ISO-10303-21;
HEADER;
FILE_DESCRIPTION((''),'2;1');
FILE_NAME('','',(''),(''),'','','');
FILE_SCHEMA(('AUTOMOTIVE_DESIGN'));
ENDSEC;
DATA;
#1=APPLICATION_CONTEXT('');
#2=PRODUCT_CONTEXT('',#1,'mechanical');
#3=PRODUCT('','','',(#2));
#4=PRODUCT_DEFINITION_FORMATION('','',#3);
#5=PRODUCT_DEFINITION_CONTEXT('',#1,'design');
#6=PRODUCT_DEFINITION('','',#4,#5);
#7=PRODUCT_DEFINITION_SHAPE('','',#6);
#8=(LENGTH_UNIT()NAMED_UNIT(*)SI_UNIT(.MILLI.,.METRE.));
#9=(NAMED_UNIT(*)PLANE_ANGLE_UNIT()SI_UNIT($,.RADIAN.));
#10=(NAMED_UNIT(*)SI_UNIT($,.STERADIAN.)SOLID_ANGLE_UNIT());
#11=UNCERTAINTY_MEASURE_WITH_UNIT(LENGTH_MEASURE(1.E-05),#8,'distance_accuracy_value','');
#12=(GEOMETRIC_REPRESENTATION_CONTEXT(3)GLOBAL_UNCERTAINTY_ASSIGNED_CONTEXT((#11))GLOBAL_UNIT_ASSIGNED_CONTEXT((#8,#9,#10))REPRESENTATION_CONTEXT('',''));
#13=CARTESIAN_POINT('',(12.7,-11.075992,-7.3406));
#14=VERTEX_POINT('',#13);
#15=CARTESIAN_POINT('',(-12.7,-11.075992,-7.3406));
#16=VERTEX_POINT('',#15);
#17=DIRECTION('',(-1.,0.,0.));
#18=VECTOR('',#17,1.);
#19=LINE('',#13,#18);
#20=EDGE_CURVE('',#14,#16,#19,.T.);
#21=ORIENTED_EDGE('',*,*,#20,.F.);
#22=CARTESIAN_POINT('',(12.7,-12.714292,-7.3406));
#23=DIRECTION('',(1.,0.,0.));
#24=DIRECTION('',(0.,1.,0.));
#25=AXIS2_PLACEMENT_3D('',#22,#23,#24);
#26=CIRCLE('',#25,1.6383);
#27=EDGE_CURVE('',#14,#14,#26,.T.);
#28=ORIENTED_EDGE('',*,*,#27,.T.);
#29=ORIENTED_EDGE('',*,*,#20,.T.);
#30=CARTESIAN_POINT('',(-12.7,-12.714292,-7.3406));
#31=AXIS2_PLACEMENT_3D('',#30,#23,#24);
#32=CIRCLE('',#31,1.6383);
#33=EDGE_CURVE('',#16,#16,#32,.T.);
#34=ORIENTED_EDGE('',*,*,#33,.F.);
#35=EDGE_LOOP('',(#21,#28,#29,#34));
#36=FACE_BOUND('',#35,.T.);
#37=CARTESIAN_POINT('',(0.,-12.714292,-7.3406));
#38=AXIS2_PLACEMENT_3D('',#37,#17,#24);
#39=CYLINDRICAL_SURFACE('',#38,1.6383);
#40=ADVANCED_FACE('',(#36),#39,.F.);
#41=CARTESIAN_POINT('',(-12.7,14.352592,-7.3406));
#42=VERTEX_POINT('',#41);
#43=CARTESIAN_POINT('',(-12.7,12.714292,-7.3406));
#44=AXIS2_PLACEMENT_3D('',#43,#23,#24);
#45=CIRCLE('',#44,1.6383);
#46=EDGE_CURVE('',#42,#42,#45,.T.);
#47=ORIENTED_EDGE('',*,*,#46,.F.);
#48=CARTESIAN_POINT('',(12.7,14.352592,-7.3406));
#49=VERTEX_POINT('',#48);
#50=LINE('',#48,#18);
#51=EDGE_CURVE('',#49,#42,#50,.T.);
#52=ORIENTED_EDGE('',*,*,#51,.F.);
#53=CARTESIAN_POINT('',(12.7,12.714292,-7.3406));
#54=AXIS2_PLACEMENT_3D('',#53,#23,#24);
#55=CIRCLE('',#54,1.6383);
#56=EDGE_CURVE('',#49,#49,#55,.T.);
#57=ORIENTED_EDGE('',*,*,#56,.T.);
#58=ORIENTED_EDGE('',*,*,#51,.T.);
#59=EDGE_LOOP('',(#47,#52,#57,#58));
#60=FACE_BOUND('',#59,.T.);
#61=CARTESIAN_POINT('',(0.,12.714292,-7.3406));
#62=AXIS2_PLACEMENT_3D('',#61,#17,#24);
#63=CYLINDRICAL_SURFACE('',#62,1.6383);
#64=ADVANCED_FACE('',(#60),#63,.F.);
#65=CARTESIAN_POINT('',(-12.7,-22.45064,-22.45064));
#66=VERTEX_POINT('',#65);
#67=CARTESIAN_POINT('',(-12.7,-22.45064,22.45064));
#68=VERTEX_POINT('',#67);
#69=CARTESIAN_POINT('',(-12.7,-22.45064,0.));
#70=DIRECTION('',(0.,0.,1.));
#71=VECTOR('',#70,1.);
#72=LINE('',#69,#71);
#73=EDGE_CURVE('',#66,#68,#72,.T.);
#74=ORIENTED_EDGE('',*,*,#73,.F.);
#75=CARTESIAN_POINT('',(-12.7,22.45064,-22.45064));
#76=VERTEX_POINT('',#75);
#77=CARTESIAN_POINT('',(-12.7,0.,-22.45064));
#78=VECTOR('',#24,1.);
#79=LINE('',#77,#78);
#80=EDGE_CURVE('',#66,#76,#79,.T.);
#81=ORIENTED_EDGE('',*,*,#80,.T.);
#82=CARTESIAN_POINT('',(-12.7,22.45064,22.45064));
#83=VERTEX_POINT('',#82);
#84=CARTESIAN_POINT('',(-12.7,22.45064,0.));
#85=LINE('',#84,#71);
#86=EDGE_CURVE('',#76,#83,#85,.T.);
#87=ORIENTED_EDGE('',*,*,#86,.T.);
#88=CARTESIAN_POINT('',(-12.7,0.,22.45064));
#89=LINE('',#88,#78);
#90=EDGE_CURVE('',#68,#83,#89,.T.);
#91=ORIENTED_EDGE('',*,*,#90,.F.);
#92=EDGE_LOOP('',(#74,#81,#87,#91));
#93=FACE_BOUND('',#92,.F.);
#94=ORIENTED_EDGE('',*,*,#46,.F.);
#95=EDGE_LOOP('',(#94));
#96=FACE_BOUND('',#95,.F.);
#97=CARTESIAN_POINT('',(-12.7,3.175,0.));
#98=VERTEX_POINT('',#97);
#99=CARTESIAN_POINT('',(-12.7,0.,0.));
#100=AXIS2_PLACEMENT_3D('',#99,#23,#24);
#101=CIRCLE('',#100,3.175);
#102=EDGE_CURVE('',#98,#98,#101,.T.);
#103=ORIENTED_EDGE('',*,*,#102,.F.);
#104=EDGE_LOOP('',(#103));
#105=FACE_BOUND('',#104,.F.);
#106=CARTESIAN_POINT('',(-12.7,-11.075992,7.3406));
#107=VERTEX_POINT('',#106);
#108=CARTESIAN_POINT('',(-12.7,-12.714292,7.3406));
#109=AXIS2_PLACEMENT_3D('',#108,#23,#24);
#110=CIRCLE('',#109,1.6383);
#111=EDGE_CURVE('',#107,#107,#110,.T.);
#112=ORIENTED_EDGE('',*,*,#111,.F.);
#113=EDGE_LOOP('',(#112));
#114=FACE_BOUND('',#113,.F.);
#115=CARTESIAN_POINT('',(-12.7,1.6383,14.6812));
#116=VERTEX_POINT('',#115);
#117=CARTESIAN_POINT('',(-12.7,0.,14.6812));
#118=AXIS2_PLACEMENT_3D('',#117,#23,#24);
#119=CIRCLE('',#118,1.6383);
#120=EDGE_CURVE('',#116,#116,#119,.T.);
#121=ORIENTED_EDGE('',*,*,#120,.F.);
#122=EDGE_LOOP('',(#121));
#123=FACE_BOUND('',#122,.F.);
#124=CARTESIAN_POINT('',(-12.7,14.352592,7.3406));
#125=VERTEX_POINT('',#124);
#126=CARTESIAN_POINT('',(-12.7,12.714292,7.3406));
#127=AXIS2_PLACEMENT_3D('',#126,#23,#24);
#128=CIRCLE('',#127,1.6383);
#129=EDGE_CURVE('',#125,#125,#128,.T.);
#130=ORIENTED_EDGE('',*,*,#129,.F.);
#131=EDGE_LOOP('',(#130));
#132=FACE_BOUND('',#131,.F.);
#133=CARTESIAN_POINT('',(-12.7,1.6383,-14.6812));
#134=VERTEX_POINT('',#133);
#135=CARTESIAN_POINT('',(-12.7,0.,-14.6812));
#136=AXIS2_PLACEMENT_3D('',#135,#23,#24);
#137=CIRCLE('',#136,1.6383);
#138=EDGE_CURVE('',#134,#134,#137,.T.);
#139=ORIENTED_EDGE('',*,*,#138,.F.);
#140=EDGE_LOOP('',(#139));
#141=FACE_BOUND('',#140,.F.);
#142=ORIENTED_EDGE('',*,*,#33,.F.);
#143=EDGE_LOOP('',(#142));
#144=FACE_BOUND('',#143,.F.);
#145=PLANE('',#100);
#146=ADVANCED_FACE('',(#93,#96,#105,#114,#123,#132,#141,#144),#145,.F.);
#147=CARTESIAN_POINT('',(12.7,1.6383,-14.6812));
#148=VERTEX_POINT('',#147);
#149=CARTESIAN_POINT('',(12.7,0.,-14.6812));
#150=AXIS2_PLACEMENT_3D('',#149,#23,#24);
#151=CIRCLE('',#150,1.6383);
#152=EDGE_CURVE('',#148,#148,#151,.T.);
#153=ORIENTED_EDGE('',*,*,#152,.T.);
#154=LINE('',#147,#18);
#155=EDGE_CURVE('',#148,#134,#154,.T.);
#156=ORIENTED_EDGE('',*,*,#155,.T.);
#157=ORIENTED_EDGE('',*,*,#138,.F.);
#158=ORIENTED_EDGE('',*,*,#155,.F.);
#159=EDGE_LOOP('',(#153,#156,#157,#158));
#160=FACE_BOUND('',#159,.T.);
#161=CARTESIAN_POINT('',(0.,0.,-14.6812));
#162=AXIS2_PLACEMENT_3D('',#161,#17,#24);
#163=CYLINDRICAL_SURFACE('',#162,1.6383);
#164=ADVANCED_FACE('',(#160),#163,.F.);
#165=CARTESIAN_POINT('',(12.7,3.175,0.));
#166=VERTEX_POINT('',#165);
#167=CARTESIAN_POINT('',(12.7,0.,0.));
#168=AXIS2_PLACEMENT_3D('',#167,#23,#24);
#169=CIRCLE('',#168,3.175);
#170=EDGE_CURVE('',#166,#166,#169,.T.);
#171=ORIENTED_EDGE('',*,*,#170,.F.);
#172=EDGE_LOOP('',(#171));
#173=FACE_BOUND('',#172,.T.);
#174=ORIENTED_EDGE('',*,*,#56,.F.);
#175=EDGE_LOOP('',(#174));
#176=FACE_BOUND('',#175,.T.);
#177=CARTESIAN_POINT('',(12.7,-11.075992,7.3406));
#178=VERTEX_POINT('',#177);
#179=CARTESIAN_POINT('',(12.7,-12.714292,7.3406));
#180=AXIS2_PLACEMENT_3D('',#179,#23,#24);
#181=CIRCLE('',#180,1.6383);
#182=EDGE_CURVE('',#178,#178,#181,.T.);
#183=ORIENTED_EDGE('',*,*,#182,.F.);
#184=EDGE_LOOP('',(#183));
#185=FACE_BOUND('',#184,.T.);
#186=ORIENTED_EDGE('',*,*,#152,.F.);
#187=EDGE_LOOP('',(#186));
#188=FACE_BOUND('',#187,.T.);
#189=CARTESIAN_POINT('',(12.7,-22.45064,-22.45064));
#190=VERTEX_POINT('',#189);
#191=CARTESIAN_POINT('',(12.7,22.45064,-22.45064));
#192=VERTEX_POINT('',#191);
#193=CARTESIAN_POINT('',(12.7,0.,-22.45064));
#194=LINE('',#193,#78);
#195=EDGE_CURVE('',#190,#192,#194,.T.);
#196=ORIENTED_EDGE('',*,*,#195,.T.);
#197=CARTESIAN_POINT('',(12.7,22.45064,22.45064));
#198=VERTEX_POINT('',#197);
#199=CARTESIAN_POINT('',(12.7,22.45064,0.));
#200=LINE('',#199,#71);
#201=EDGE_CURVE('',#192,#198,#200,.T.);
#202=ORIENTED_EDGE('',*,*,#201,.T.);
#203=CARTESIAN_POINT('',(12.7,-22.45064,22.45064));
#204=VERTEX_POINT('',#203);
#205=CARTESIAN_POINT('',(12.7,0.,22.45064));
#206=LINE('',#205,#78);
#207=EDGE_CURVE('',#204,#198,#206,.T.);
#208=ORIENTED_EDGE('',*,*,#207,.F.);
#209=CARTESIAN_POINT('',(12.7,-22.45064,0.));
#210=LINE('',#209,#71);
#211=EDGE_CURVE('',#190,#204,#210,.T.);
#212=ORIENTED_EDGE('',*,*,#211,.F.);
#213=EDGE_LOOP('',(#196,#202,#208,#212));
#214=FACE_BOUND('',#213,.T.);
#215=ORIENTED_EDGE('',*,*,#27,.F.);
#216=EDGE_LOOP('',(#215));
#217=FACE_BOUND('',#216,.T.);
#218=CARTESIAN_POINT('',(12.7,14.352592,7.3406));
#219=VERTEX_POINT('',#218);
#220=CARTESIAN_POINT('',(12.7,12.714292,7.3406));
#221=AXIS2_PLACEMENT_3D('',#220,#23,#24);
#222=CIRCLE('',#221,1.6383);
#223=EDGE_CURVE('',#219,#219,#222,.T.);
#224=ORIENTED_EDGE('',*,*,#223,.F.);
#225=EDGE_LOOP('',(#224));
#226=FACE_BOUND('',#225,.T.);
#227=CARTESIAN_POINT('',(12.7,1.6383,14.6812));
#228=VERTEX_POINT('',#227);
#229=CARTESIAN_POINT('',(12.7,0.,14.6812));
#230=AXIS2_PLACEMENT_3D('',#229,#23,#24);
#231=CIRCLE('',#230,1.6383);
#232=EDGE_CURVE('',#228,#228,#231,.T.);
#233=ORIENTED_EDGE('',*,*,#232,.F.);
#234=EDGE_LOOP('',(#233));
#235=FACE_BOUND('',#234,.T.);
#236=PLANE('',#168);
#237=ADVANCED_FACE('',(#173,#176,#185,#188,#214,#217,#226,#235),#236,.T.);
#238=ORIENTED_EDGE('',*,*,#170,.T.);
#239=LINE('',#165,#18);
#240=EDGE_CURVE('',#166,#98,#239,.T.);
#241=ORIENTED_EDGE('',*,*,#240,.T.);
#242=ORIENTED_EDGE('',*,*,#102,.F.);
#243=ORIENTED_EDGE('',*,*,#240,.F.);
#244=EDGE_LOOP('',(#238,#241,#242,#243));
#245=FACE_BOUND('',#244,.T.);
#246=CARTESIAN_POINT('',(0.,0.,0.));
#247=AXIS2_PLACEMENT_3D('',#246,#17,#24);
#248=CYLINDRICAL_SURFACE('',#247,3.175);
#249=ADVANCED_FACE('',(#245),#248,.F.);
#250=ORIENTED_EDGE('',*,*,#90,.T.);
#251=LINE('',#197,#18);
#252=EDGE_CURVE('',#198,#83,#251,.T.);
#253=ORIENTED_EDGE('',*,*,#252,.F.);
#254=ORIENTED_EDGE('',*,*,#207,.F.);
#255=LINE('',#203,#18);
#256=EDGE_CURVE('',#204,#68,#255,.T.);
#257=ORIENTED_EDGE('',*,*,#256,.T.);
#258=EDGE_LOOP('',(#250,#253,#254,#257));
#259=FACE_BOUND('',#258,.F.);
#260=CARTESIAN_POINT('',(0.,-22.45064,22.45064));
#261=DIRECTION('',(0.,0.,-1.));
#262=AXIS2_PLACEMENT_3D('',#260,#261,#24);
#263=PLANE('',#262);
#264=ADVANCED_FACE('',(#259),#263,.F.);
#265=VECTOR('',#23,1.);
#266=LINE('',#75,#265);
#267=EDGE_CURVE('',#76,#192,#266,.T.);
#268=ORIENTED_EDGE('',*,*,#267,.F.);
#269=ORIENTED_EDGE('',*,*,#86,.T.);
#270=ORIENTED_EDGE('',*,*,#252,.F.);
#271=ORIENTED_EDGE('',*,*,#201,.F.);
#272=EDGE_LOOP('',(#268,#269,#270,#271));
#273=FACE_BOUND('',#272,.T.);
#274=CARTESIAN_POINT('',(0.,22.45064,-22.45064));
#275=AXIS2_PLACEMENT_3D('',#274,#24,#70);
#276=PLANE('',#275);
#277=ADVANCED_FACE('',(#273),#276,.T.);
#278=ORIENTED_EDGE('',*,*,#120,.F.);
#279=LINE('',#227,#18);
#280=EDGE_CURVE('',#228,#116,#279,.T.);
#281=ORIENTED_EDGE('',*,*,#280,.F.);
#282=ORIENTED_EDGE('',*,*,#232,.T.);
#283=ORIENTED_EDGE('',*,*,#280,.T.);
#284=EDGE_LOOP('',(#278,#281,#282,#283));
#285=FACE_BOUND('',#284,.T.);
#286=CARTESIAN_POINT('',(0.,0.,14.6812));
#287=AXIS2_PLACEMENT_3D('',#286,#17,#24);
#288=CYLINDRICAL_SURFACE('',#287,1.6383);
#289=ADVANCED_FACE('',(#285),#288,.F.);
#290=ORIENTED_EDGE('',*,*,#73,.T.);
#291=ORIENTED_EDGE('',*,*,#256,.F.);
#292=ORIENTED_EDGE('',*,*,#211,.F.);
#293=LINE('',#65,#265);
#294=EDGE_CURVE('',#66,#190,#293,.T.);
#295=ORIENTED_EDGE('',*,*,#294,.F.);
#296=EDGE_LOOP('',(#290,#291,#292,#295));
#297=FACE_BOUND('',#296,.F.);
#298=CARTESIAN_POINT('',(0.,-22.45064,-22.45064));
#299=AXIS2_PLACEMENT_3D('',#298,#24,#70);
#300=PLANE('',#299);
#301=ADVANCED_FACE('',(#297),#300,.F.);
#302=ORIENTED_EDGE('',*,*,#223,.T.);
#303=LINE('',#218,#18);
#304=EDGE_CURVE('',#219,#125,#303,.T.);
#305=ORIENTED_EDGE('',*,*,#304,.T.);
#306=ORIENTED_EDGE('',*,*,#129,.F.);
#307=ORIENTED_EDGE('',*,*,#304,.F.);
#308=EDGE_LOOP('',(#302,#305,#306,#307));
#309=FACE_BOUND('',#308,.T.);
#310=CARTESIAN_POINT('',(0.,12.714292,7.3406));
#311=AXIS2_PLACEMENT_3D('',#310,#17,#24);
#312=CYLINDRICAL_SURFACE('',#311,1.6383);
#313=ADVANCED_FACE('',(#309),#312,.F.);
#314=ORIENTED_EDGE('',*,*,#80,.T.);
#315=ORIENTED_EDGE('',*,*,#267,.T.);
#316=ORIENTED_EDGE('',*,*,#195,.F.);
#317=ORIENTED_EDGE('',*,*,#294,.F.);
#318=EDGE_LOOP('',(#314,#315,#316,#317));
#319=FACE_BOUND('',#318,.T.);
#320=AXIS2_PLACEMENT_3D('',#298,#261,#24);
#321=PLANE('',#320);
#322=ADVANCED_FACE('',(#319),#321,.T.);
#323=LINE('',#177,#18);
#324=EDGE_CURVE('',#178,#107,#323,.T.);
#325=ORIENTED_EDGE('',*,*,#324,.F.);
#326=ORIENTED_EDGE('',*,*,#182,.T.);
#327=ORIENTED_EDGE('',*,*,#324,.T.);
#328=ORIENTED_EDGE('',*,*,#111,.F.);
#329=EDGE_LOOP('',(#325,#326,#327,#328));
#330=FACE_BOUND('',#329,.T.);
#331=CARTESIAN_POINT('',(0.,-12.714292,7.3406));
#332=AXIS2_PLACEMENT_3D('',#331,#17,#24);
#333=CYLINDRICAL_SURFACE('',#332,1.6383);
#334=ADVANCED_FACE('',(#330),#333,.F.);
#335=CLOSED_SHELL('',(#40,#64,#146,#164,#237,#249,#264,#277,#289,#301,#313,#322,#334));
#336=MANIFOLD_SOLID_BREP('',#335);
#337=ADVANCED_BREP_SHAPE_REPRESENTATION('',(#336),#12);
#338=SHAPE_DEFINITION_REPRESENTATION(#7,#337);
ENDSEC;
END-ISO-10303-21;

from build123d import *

# Parameters (mm, degrees)
F0_W     = 44.90128
F0_H     = 44.90128
F0_R     = 1.6383
F0_R_2   = 3.175
F1_DEPTH = 12.7


with BuildPart() as f1:
    # F0 (on Right) → F1 (new body, symmetric)
    with BuildSketch(Plane.YZ):
        Rectangle(F0_W, F0_H)
        with Locations((-12.714292, -7.3406)):
            Circle(F0_R, mode=Mode.SUBTRACT)
        with Locations((0, -14.6812)):
            Circle(F0_R, mode=Mode.SUBTRACT)
        with Locations((12.714292, -7.3406)):
            Circle(F0_R, mode=Mode.SUBTRACT)
        with Locations((-12.714292, 7.3406)):
            Circle(F0_R, mode=Mode.SUBTRACT)
        Circle(F0_R_2, mode=Mode.SUBTRACT)
        with Locations((12.714292, 7.3406)):
            Circle(F0_R, mode=Mode.SUBTRACT)
        with Locations((0, 14.6812)):
            Circle(F0_R, mode=Mode.SUBTRACT)
    extrude(amount=F1_DEPTH, both=True)


solid = f1.part
